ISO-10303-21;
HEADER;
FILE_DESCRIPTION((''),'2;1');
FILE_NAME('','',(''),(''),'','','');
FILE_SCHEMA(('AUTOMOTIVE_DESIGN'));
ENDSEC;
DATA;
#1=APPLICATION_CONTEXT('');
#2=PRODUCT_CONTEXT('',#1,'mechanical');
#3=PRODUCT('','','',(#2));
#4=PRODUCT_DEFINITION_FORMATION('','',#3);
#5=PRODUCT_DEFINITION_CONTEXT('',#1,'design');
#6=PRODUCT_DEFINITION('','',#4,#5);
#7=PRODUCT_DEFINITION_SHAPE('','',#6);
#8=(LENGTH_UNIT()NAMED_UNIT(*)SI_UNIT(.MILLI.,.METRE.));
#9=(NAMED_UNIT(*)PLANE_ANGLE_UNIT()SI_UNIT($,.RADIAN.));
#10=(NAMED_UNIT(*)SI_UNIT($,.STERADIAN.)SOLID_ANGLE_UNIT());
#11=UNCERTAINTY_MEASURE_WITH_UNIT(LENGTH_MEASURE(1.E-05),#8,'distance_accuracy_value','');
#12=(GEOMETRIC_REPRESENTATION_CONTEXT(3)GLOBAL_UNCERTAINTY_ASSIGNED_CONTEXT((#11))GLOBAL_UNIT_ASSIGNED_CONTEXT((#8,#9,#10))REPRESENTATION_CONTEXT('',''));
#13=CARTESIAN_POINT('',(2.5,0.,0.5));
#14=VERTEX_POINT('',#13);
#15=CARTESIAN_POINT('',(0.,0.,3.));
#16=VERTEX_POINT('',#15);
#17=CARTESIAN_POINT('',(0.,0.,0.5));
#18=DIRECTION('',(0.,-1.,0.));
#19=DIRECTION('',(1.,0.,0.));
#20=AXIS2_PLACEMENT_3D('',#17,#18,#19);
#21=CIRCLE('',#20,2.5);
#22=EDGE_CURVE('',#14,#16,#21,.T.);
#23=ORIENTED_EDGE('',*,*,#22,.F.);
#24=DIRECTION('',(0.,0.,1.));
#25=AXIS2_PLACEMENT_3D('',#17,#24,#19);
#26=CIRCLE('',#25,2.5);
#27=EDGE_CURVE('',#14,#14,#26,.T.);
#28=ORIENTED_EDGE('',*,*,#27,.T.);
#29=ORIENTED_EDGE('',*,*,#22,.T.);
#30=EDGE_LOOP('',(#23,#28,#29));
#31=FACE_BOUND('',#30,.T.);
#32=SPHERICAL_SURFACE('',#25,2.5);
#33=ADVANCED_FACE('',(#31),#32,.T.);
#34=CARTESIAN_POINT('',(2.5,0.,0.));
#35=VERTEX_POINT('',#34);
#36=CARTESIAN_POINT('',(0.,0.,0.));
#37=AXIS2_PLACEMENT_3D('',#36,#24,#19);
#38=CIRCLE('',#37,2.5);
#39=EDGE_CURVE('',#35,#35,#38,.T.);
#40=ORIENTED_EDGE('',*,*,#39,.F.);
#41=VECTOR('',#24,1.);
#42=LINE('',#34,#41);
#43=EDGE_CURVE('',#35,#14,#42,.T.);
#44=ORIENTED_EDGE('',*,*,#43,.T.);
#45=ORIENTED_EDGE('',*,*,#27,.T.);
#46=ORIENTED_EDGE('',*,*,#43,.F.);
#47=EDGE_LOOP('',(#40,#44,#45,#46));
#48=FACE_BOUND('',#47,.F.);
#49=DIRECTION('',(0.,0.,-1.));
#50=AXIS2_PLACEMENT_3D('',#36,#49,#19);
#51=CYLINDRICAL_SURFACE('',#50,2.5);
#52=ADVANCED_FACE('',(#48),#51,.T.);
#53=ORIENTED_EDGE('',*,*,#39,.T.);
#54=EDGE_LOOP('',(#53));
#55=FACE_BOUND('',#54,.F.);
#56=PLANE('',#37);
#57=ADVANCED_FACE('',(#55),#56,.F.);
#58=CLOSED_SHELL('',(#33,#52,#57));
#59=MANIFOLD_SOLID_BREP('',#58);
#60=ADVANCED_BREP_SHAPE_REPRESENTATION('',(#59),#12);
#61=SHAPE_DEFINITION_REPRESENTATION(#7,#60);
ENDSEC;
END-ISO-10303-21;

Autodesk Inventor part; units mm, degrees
ref_plane "YZ Plane" through (0, 0, 0) normal (1, 0, 0) x (0, 1, 0)
ref_plane "XZ Plane" through (0, 0, 0) normal (0, 1, 0) x (-1, 0, 0)
ref_plane "XY Plane" through (0, 0, 0) normal (0, 0, 1) x (1, 0, 0)
sketch "Sketch1" plane through (0, 0, 0) normal (0, 0, 1) x (1, 0, 0)
  circle A0 centre (0, 0) radius 2.5
  dimension "d0" = 5
extrude "Extrusion1" add sketch "Sketch1" along normal blind 3
fillet "Fillet1" radius 2.5 1 edges at (-2.5, 0, 3)
properties part number "LED"
